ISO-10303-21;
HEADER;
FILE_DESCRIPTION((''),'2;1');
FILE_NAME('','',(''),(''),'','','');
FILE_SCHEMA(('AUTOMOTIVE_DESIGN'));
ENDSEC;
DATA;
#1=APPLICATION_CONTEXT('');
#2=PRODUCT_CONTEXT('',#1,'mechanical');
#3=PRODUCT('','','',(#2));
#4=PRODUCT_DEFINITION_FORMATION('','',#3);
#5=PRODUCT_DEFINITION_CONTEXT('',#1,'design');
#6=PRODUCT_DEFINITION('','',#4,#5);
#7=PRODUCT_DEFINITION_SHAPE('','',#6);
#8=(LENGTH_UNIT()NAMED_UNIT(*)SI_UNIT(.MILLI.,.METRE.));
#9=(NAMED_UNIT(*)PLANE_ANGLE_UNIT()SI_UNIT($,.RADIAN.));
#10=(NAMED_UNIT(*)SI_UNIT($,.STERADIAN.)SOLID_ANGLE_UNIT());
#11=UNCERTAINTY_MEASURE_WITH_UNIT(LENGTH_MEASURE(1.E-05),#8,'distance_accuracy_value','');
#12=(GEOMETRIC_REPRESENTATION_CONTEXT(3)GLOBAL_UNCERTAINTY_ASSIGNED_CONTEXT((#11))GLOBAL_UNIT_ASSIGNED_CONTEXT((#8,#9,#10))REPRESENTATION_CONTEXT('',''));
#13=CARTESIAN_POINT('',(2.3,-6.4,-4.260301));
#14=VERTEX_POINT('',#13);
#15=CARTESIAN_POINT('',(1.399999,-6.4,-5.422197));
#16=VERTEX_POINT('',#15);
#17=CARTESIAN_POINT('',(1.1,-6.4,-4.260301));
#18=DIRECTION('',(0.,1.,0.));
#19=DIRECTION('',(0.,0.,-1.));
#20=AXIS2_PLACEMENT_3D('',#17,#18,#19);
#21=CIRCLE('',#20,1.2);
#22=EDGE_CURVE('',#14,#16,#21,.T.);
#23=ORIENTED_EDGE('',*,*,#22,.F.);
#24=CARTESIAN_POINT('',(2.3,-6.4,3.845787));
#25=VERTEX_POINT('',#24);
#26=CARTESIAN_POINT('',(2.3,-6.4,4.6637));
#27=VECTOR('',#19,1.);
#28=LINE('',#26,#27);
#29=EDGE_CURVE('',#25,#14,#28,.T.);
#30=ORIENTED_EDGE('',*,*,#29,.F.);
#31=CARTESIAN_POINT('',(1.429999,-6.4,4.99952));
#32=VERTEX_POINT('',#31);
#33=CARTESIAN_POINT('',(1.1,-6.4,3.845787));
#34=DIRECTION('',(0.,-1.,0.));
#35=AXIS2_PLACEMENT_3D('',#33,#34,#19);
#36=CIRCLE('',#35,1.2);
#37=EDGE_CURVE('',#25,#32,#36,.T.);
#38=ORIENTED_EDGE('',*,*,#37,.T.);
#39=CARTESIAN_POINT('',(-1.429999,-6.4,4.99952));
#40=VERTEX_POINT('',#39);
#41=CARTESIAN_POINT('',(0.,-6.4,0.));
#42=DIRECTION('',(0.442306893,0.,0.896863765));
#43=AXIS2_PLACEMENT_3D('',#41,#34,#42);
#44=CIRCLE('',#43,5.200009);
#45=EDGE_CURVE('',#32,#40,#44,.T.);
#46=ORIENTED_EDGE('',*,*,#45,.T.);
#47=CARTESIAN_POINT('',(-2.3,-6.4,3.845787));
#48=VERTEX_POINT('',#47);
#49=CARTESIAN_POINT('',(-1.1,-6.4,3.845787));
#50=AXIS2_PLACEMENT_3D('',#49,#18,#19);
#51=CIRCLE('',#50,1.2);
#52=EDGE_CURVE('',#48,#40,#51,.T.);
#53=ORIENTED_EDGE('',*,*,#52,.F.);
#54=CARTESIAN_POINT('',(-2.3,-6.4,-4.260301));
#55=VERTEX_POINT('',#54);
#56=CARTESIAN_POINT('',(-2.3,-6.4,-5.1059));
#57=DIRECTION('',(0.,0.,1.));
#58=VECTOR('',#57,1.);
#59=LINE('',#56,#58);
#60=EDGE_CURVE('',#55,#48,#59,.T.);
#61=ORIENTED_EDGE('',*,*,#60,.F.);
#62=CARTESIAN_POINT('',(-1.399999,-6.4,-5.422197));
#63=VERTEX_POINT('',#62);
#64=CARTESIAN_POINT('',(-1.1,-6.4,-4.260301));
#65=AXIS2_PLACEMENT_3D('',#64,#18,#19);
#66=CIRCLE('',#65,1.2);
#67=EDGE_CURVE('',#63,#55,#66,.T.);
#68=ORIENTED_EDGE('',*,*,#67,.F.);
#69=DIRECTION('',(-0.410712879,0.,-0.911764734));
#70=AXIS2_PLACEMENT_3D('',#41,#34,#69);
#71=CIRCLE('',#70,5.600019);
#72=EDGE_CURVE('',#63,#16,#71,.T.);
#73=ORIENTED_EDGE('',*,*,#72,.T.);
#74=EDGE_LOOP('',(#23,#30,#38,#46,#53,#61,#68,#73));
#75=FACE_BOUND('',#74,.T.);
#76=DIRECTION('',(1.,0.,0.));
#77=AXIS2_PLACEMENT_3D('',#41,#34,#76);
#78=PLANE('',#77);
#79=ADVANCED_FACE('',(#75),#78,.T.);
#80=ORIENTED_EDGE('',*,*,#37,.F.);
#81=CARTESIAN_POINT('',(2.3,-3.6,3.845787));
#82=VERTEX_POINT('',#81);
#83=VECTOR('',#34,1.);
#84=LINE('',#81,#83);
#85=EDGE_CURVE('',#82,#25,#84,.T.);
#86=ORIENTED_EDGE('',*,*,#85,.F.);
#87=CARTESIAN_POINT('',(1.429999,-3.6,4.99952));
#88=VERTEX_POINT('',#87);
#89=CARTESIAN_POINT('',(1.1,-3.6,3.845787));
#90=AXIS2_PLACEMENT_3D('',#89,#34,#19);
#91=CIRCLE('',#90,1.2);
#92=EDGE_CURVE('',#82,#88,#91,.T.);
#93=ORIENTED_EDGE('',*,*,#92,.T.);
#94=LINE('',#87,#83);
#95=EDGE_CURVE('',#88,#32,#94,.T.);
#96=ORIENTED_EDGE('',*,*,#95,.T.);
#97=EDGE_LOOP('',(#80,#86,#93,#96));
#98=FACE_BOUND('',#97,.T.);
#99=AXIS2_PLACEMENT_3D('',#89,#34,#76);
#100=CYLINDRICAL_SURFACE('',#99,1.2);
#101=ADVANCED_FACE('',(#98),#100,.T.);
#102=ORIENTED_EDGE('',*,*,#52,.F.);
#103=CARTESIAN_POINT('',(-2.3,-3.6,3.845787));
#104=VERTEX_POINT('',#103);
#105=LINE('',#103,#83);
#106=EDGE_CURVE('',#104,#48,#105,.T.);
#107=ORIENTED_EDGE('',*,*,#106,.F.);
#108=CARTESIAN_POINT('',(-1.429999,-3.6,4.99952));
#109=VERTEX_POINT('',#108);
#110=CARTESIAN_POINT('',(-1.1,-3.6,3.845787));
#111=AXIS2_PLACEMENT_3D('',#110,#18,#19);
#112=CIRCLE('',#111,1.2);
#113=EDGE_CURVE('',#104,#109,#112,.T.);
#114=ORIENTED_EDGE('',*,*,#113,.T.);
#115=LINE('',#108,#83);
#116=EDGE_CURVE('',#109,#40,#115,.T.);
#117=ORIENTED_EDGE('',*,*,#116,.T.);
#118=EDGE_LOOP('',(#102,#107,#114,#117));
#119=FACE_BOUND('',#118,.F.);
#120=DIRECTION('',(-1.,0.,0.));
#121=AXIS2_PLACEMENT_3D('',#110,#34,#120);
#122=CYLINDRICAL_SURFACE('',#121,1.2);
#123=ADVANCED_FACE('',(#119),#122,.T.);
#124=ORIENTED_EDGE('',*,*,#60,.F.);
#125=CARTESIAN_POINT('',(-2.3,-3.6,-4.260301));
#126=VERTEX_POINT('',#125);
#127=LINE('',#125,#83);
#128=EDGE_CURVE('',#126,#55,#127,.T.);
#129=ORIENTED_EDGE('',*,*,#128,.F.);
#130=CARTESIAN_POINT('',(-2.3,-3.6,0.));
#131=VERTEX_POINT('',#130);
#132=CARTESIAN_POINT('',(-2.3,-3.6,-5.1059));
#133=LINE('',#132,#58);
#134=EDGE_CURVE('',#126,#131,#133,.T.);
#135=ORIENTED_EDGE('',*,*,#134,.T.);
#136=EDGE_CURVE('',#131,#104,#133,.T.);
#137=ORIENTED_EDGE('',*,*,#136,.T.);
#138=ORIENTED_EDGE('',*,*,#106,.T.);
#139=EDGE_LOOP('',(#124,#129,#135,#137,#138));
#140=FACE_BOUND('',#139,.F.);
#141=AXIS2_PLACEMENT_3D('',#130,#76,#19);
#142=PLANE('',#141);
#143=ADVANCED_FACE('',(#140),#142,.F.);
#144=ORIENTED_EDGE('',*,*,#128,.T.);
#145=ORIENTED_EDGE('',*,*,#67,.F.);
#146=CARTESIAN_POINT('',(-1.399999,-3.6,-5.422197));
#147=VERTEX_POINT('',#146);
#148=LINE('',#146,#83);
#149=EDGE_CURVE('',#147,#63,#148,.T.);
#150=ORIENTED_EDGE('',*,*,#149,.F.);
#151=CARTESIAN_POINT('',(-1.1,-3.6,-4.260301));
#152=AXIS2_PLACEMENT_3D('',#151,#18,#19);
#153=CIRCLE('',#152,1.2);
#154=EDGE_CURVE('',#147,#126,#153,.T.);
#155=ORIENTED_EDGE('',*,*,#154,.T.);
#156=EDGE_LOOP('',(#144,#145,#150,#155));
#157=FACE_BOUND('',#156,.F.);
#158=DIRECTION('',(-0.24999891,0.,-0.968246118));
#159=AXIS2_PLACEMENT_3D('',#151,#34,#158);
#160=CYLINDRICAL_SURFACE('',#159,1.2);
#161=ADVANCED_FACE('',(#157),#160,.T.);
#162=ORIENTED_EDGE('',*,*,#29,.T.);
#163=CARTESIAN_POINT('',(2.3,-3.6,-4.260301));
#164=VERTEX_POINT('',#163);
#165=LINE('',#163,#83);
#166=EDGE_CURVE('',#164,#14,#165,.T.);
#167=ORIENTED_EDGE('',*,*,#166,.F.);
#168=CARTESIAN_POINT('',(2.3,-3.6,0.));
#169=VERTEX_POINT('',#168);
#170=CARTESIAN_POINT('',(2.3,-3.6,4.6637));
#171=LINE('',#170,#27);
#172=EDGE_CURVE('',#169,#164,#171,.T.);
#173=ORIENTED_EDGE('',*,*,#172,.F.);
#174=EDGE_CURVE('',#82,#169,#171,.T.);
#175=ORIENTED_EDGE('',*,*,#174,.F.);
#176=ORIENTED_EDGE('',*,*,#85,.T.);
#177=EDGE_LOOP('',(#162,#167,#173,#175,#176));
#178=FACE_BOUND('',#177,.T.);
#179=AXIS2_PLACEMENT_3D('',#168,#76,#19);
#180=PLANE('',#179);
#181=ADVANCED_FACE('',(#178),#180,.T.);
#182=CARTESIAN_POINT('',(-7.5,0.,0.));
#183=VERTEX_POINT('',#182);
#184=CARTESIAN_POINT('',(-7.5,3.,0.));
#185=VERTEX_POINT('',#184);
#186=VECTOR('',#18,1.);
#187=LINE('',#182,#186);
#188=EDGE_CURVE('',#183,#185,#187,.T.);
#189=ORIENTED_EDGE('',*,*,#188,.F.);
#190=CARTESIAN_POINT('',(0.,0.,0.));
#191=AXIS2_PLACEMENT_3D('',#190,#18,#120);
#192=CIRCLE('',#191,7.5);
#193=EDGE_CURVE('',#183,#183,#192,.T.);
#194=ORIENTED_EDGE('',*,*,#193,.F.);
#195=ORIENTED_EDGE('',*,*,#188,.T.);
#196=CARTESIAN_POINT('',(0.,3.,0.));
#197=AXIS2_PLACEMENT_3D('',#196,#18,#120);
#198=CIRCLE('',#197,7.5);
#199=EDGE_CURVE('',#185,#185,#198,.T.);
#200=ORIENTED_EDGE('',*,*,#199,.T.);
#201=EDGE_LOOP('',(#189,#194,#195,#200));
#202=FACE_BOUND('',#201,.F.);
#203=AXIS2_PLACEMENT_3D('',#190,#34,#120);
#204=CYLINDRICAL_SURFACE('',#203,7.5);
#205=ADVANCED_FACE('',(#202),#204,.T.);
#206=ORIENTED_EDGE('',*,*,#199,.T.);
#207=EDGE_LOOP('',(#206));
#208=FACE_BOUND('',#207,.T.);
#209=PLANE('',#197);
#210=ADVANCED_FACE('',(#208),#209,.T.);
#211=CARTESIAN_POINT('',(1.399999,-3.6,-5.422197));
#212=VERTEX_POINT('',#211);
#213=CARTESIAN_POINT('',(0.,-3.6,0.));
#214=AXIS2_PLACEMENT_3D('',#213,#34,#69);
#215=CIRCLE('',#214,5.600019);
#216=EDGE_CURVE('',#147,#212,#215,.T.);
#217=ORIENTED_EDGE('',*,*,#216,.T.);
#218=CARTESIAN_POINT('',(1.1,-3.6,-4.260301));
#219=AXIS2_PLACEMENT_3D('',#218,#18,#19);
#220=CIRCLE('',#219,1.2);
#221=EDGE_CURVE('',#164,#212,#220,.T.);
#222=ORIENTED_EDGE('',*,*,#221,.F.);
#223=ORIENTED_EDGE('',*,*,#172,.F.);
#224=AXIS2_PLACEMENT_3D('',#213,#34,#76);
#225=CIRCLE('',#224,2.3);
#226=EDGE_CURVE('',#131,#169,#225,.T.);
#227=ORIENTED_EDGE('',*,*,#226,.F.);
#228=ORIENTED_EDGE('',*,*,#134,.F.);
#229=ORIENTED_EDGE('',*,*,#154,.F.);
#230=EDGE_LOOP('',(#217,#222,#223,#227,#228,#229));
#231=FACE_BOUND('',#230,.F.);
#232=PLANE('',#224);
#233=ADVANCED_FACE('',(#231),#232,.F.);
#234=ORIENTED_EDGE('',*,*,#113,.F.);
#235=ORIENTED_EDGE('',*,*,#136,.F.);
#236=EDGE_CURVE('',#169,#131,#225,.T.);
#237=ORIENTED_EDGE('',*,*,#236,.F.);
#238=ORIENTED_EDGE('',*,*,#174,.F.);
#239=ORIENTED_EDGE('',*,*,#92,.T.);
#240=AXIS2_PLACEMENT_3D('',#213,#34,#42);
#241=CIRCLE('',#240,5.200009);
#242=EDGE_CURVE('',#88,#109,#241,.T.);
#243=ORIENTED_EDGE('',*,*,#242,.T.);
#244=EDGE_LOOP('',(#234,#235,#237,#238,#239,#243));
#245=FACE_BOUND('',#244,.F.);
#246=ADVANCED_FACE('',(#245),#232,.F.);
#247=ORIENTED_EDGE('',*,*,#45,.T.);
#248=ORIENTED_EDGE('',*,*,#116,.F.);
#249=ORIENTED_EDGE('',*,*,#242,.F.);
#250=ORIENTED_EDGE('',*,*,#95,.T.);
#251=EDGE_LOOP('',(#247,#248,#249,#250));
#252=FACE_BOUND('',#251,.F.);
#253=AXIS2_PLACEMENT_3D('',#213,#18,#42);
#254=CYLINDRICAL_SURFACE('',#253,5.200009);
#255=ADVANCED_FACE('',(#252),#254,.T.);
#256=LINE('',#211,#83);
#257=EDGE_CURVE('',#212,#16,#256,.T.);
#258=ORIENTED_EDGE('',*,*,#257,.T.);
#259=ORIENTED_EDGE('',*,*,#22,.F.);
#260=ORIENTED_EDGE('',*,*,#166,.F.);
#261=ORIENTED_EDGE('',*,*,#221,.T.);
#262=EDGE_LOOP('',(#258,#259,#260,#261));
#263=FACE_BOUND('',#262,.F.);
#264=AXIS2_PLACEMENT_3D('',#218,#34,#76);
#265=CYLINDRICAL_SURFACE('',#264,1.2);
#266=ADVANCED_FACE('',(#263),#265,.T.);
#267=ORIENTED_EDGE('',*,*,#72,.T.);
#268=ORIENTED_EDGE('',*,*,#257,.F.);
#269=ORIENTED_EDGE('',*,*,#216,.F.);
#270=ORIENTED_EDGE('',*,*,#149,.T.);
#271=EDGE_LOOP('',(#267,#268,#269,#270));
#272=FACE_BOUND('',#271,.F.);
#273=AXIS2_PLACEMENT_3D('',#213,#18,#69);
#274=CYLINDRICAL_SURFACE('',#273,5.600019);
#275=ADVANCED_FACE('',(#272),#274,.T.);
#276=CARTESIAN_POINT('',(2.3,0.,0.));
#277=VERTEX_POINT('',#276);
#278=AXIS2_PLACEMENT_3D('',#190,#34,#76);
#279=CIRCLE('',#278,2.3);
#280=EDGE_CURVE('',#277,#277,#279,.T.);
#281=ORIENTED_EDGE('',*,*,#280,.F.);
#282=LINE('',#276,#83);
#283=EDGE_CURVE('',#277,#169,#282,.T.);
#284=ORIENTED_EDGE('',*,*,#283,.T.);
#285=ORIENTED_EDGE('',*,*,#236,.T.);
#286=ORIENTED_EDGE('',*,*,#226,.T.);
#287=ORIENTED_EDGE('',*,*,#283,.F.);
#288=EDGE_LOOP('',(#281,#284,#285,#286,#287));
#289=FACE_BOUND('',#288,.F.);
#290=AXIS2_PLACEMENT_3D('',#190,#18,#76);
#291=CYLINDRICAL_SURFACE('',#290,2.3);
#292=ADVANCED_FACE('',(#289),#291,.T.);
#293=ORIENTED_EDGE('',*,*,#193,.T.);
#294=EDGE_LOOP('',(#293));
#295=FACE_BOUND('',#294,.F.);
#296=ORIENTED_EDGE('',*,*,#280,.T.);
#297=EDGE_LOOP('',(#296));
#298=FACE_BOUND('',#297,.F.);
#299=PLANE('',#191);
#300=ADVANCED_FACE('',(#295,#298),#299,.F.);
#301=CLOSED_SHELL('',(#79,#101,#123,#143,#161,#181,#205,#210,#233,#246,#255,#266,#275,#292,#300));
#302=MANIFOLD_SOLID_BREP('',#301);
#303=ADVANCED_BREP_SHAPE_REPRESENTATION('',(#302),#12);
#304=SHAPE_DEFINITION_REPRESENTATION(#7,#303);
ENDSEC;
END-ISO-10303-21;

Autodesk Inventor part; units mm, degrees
ref_plane "YZ Plane" through (0, 0, 0) normal (1, 0, 0) x (0, 1, 0)
ref_plane "XZ Plane" through (0, 0, 0) normal (0, 1, 0) x (-1, 0, 0)
ref_plane "XY Plane" through (0, 0, 0) normal (0, 0, 1) x (1, 0, 0)
sketch "Sketch1" plane through (0, 0, 0) normal (0, 1, 0) x (-1, 0, 0)
  circle A0 centre (0, 0) radius 7.5
  dimension "d0" = 15
extrude "Extrusion1" add sketch "Sketch1" along normal blind 3
sketch "Sketch2" plane through (0, 0, 0) normal (0, -1, 0) x (1, 0, 0)
  circle A0 centre (0, 0) radius 7.5 projected
  circle A1 centre (0, 0) radius 2.3
  dimension "d3" = 4.6
extrude "Extrusion2" add sketch "Sketch2" along normal blind 3.6 contours A1
sketch "Sketch3" plane through (0, -3.6, 0) normal (0, -1, 0) x (1, 0, 0)
  circle A0 centre (0, 0) radius 2.3 projected
  line L0 (-2.3, 4.6637) -> (-2.3, -5.1059)
  line L1 (2.3, 4.6637) -> (2.3, -5.1059)
  line L2 (0, 15.7328) -> (0, -15.032) construction
  circle A1 centre (0, 0) radius 7.5 construction
  arc A2 (-3, 6.8739) -> (-3, -6.8739) centre (0, 0) ccw construction
  arc A3 (3, -6.8739) -> (3, 6.8739) centre (0, 0) ccw construction
  arc A4 (2.3, 4.6637) -> (-2.3, 4.6637) centre (0, 0) ccw
  arc A5 (-2.3, -5.1059) -> (2.3, -5.1059) centre (0, 0) ccw
  dimension "d13" = 5.2
  dimension "d19" = 5.6
extrude "Extrusion3" add sketch "Sketch3" along normal blind 2.8
fillet "Fillet2" radius 1.2 4 edges at (-2.3, -5, 4.6637) (2.3, -5, 4.6637) (-2.3, -5, -5.1059) (2.3, -5, -5.1059)
equation "\"d0\" = HeadConnectorOuterSize"
equation "\"d1\" = EarConnectorHeight"
equation "\"d3\" = HeadConnectorWidth - HeadConnectorTolerance"
equation "\"d4\" = HeadConnectorOuterHeight + 3 * HeadConnectorTolerance"
equation "\"d13\" = 0.5 * HeadConnectorDiam - 4 * HeadConnectorTolerance"
equation "\"d19\" = 0.5 * HeadConnectorDiam - 2 * HeadConnectorTolerance"
equation "\"d10\" = HeadConnectorHeight - HeadConnectorTolerance"
equation "\"d20\" = 2 * HeadConnectorProportion"
equation "\"EarConnectorHeight\" = 5 * HeadConnectorProportion"
equation "\"HeadConnectorOuterSize\" = 15"
equation "\"HeadConnectorWidth\" = 4.8"
equation "\"HeadConnectorTolerance\" = 0.2"
equation "\"HeadConnectorOuterHeight\" = 3"
equation "\"HeadConnectorDiam\" = 12"
equation "\"HeadConnectorHeight\" = 3"
equation "\"HeadConnectorProportion\" = 0.6"
properties part number "EarConnector"
